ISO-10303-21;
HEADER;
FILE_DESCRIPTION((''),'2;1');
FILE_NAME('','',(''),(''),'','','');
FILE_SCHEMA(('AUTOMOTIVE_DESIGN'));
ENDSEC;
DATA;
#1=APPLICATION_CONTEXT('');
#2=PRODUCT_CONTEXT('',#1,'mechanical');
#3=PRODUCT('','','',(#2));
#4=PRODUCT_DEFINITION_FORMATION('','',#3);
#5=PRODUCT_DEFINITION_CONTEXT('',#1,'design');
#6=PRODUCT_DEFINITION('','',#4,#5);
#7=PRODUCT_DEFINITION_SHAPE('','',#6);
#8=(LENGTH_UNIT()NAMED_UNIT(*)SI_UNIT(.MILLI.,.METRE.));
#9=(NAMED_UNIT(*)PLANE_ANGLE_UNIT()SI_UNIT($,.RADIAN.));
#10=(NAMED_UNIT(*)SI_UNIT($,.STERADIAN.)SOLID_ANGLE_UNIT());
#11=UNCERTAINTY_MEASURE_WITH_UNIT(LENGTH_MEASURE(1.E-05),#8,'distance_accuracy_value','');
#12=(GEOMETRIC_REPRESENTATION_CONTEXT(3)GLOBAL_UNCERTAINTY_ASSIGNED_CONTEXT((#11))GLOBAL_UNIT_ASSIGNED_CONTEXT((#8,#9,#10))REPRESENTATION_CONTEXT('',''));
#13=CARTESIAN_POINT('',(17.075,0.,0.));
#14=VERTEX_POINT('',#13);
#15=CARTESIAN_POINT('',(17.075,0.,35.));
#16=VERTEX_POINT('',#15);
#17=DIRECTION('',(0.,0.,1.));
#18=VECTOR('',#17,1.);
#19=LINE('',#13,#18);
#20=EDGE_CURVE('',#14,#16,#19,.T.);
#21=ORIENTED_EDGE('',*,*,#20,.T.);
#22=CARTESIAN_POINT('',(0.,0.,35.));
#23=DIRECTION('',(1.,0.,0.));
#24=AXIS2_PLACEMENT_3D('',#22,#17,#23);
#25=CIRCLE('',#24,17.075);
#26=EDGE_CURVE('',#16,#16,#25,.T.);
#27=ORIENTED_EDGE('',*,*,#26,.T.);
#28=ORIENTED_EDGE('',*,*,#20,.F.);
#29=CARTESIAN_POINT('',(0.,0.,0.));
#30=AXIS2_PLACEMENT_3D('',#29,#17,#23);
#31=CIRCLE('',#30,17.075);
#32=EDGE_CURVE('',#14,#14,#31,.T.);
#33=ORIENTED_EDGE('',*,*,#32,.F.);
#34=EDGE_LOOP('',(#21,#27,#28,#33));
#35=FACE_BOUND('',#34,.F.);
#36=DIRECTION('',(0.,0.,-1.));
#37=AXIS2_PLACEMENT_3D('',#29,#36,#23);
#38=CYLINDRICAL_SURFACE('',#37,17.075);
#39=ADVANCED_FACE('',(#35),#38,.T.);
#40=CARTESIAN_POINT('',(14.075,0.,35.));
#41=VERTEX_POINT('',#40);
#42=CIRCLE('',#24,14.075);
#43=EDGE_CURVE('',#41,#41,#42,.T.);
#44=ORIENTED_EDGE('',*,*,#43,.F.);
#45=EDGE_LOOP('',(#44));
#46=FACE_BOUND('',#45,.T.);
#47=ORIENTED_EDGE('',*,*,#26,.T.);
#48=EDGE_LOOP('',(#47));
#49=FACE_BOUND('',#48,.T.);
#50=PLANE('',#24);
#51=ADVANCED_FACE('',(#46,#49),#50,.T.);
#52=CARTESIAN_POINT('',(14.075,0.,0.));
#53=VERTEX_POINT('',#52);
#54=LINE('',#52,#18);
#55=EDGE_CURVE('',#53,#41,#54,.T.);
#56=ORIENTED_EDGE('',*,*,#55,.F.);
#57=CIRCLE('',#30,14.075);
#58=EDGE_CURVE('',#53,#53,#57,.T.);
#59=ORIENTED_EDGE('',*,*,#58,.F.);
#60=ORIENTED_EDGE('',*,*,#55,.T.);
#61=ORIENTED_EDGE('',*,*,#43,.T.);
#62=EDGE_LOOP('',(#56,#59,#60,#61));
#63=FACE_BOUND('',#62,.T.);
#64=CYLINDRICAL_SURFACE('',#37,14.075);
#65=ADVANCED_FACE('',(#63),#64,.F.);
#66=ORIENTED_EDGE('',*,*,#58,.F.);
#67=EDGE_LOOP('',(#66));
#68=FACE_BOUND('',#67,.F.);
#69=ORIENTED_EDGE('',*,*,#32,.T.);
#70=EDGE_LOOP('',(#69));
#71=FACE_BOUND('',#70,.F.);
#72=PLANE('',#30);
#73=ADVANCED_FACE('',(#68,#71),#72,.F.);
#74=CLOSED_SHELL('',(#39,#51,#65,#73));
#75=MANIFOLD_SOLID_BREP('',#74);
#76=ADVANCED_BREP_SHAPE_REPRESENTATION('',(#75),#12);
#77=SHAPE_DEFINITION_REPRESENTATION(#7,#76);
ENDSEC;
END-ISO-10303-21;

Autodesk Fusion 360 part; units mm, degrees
sketch "Sketch1" plane through (0, 0, 0) normal (0, 0, 1) x (1, 0, 0)
  circle A0 centre (0, 0) radius 14.075
  circle A1 centre (0, 0) radius 17.075
  dimension "d1" = 28.15
  dimension "d2" = 34.15
extrude "Extrude1" add sketch "Sketch1" along normal blind 35
